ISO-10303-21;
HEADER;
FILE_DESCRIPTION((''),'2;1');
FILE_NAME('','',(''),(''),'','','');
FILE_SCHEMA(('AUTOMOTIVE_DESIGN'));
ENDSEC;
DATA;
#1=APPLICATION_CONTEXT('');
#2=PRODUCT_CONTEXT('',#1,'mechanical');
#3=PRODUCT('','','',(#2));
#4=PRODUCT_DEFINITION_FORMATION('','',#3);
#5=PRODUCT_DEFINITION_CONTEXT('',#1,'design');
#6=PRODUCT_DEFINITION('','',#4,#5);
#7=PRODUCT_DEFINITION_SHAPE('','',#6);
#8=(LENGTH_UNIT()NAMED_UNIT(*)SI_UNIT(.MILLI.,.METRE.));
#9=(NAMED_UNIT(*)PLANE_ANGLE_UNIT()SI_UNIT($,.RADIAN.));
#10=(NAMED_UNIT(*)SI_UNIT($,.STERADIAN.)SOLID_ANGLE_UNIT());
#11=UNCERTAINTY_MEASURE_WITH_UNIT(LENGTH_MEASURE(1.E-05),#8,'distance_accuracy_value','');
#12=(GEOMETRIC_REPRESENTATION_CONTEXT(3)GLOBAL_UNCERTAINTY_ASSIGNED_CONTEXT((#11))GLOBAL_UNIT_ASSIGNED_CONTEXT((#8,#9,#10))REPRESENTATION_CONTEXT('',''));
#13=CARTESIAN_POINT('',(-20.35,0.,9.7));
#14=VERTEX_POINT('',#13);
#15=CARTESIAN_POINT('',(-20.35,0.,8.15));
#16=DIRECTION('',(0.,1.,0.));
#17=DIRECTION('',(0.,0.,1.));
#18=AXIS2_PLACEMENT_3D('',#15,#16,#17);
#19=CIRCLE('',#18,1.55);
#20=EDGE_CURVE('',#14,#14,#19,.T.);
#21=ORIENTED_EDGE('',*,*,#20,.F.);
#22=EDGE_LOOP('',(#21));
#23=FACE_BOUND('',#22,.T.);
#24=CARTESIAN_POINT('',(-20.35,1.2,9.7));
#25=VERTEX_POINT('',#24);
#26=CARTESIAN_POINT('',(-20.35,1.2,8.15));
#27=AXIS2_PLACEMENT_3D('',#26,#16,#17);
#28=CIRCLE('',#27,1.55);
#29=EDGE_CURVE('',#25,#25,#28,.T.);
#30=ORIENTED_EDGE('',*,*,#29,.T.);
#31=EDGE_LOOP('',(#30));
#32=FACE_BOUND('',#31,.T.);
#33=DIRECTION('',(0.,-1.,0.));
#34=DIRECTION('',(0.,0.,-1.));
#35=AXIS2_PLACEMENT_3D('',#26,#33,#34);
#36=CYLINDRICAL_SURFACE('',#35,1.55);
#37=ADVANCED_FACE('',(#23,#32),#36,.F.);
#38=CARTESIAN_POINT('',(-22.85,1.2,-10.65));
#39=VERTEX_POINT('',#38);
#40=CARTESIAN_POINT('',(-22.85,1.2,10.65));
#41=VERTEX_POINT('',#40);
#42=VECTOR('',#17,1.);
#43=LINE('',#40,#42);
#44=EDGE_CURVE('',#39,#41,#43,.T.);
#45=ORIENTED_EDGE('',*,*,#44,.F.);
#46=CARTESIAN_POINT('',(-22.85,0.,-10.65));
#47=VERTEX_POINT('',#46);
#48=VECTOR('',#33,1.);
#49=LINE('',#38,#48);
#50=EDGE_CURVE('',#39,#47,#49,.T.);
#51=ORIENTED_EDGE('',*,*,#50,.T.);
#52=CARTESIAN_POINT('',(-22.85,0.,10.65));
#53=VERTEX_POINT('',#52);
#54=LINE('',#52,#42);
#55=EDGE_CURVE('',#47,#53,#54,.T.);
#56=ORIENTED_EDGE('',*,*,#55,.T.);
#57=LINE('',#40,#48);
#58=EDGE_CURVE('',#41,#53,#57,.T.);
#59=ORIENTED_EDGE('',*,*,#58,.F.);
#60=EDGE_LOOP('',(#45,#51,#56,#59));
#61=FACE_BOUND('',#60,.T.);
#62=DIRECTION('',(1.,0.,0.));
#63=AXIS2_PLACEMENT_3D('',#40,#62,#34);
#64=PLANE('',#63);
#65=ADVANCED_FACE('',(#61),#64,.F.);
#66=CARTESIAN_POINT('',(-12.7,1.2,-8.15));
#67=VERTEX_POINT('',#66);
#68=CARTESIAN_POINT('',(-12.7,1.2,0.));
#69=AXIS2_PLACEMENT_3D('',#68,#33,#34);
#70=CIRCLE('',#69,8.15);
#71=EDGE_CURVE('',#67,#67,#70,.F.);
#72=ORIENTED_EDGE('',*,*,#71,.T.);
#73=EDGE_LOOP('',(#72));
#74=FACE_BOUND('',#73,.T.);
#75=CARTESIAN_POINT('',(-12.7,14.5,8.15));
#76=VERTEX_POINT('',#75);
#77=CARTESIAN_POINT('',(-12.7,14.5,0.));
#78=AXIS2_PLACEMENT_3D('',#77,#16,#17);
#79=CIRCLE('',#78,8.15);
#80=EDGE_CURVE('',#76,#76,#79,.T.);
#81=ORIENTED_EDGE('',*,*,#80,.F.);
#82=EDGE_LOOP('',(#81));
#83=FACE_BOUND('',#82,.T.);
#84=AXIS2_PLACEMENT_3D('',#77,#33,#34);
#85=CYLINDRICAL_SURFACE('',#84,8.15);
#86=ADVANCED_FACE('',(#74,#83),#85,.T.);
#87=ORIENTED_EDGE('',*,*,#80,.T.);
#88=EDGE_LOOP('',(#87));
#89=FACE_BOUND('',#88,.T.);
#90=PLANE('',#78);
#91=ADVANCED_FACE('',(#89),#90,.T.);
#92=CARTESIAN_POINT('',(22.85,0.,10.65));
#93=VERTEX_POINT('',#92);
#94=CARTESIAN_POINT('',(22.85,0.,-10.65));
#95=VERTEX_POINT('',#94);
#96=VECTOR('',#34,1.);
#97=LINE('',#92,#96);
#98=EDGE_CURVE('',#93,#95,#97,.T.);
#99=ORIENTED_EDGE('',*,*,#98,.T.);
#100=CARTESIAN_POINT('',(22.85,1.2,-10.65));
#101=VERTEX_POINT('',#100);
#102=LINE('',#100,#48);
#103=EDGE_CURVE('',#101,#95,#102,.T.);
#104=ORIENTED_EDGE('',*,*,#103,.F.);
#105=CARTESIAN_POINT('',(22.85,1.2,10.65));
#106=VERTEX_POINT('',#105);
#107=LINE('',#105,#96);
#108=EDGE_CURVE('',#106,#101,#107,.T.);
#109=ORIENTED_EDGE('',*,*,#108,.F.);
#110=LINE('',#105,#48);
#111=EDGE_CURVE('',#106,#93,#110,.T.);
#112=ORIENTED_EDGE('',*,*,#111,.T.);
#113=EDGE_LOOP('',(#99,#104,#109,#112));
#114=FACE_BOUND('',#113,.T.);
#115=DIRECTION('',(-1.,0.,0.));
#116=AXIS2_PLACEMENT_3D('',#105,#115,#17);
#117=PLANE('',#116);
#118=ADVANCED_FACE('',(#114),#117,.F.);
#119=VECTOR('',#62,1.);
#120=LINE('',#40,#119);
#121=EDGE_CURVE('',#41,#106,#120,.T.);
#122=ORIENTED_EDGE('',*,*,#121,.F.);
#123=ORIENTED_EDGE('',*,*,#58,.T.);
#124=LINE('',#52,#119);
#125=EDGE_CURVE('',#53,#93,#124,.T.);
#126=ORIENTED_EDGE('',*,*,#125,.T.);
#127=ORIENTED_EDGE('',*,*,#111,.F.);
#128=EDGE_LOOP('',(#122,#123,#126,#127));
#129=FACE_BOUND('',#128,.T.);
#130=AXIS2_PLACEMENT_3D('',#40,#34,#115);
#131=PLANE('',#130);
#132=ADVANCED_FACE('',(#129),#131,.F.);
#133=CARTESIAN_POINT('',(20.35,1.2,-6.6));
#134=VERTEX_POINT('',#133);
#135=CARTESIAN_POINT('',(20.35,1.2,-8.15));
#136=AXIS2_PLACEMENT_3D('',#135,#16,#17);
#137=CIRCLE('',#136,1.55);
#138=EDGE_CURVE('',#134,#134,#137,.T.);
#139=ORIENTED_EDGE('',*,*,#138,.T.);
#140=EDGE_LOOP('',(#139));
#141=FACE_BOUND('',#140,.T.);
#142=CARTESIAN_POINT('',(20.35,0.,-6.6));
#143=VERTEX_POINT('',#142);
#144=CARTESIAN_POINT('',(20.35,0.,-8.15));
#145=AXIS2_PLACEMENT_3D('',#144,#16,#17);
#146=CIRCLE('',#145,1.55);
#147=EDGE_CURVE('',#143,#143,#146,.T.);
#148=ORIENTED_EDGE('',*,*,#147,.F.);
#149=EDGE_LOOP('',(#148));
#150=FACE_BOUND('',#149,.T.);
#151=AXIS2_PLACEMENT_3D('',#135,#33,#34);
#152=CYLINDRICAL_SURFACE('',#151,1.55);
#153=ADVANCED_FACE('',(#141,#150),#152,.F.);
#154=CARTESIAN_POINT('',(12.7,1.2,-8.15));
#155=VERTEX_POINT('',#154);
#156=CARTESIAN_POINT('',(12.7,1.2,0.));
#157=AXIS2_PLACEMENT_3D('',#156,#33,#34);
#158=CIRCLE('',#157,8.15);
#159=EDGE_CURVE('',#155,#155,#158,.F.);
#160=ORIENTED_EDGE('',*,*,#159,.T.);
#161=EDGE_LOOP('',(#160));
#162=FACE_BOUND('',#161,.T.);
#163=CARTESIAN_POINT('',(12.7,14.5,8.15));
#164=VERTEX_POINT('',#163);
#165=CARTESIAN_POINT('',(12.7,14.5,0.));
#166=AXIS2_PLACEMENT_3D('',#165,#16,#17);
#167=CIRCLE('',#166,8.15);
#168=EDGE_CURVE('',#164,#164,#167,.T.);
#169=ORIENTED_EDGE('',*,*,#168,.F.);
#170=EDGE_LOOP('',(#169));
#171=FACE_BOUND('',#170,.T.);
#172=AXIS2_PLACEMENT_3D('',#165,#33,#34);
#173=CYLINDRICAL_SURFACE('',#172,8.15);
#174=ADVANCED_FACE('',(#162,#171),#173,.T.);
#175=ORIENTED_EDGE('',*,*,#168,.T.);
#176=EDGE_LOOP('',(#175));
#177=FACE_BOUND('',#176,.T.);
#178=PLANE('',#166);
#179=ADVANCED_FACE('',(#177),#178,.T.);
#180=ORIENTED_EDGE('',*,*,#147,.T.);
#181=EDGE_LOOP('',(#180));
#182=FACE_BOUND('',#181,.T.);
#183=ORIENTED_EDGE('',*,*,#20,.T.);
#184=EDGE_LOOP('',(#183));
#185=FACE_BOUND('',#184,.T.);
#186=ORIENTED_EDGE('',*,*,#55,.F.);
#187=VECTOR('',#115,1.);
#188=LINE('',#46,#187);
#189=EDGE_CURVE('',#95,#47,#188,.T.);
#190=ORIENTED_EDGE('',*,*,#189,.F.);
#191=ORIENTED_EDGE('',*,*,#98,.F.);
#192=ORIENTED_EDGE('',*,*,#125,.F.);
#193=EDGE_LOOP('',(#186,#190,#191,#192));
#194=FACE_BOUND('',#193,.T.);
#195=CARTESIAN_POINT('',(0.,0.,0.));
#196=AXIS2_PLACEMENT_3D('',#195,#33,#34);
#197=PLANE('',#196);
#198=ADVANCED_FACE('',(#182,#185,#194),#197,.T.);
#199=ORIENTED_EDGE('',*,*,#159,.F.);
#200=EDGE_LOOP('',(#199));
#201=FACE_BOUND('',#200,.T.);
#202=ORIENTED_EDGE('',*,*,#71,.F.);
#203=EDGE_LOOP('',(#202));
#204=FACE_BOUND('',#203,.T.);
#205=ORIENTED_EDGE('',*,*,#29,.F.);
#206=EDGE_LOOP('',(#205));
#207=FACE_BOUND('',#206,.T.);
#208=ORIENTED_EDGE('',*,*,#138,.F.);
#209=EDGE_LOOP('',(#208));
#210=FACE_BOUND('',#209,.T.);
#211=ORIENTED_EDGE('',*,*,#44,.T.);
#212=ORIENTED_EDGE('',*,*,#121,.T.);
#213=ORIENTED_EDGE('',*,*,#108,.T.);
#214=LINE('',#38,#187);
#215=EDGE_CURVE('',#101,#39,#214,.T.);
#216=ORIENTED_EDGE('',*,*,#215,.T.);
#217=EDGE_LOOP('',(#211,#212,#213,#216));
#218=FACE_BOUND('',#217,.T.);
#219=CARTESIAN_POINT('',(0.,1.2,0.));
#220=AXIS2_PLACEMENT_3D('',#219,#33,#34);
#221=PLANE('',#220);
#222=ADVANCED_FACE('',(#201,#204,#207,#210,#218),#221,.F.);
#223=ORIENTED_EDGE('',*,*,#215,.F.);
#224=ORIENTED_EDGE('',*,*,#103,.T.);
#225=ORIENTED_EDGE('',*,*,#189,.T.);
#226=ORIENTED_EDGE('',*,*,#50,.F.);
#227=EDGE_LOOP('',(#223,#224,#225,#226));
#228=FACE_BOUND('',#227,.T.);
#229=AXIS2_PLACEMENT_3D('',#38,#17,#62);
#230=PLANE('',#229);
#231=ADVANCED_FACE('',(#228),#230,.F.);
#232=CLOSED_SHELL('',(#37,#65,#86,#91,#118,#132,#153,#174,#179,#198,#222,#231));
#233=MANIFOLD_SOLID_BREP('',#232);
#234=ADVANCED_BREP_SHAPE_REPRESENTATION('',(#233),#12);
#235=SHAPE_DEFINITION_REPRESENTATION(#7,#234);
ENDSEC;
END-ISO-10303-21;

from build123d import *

# Parameters (mm, degrees)
SKETCH1_W           = 45.7
SKETCH1_H           = 21.3
SKETCH1_R           = 1.55
BOSS_EXTRUDE1_DEPTH = 1.2
SKETCH2_R           = 8.15
BOSS_EXTRUDE2_DEPTH = 13.3


with BuildPart() as part:
    # Sketch1 → Boss-Extrude1 (new body)
    with BuildSketch(Plane(origin=(0, 0, 0), x_dir=(1, 0, 0), z_dir=(0, 1, 0))):
        Rectangle(SKETCH1_W, SKETCH1_H)
        with Locations((20.35, 8.15)):
            Circle(SKETCH1_R, mode=Mode.SUBTRACT)
        with Locations((-20.35, -8.15)):
            Circle(SKETCH1_R, mode=Mode.SUBTRACT)
    extrude(amount=BOSS_EXTRUDE1_DEPTH)

    # Sketch2 → Boss-Extrude2 (add)
    with BuildSketch(Plane(origin=(0, 1.2, 0), x_dir=(1, 0, 0), z_dir=(0, 1, 0))):
        with Locations((-12.7, 0)):
            Circle(SKETCH2_R)
        with Locations((12.7, 0)):
            Circle(SKETCH2_R)
    extrude(amount=BOSS_EXTRUDE2_DEPTH)


solid = part.part
